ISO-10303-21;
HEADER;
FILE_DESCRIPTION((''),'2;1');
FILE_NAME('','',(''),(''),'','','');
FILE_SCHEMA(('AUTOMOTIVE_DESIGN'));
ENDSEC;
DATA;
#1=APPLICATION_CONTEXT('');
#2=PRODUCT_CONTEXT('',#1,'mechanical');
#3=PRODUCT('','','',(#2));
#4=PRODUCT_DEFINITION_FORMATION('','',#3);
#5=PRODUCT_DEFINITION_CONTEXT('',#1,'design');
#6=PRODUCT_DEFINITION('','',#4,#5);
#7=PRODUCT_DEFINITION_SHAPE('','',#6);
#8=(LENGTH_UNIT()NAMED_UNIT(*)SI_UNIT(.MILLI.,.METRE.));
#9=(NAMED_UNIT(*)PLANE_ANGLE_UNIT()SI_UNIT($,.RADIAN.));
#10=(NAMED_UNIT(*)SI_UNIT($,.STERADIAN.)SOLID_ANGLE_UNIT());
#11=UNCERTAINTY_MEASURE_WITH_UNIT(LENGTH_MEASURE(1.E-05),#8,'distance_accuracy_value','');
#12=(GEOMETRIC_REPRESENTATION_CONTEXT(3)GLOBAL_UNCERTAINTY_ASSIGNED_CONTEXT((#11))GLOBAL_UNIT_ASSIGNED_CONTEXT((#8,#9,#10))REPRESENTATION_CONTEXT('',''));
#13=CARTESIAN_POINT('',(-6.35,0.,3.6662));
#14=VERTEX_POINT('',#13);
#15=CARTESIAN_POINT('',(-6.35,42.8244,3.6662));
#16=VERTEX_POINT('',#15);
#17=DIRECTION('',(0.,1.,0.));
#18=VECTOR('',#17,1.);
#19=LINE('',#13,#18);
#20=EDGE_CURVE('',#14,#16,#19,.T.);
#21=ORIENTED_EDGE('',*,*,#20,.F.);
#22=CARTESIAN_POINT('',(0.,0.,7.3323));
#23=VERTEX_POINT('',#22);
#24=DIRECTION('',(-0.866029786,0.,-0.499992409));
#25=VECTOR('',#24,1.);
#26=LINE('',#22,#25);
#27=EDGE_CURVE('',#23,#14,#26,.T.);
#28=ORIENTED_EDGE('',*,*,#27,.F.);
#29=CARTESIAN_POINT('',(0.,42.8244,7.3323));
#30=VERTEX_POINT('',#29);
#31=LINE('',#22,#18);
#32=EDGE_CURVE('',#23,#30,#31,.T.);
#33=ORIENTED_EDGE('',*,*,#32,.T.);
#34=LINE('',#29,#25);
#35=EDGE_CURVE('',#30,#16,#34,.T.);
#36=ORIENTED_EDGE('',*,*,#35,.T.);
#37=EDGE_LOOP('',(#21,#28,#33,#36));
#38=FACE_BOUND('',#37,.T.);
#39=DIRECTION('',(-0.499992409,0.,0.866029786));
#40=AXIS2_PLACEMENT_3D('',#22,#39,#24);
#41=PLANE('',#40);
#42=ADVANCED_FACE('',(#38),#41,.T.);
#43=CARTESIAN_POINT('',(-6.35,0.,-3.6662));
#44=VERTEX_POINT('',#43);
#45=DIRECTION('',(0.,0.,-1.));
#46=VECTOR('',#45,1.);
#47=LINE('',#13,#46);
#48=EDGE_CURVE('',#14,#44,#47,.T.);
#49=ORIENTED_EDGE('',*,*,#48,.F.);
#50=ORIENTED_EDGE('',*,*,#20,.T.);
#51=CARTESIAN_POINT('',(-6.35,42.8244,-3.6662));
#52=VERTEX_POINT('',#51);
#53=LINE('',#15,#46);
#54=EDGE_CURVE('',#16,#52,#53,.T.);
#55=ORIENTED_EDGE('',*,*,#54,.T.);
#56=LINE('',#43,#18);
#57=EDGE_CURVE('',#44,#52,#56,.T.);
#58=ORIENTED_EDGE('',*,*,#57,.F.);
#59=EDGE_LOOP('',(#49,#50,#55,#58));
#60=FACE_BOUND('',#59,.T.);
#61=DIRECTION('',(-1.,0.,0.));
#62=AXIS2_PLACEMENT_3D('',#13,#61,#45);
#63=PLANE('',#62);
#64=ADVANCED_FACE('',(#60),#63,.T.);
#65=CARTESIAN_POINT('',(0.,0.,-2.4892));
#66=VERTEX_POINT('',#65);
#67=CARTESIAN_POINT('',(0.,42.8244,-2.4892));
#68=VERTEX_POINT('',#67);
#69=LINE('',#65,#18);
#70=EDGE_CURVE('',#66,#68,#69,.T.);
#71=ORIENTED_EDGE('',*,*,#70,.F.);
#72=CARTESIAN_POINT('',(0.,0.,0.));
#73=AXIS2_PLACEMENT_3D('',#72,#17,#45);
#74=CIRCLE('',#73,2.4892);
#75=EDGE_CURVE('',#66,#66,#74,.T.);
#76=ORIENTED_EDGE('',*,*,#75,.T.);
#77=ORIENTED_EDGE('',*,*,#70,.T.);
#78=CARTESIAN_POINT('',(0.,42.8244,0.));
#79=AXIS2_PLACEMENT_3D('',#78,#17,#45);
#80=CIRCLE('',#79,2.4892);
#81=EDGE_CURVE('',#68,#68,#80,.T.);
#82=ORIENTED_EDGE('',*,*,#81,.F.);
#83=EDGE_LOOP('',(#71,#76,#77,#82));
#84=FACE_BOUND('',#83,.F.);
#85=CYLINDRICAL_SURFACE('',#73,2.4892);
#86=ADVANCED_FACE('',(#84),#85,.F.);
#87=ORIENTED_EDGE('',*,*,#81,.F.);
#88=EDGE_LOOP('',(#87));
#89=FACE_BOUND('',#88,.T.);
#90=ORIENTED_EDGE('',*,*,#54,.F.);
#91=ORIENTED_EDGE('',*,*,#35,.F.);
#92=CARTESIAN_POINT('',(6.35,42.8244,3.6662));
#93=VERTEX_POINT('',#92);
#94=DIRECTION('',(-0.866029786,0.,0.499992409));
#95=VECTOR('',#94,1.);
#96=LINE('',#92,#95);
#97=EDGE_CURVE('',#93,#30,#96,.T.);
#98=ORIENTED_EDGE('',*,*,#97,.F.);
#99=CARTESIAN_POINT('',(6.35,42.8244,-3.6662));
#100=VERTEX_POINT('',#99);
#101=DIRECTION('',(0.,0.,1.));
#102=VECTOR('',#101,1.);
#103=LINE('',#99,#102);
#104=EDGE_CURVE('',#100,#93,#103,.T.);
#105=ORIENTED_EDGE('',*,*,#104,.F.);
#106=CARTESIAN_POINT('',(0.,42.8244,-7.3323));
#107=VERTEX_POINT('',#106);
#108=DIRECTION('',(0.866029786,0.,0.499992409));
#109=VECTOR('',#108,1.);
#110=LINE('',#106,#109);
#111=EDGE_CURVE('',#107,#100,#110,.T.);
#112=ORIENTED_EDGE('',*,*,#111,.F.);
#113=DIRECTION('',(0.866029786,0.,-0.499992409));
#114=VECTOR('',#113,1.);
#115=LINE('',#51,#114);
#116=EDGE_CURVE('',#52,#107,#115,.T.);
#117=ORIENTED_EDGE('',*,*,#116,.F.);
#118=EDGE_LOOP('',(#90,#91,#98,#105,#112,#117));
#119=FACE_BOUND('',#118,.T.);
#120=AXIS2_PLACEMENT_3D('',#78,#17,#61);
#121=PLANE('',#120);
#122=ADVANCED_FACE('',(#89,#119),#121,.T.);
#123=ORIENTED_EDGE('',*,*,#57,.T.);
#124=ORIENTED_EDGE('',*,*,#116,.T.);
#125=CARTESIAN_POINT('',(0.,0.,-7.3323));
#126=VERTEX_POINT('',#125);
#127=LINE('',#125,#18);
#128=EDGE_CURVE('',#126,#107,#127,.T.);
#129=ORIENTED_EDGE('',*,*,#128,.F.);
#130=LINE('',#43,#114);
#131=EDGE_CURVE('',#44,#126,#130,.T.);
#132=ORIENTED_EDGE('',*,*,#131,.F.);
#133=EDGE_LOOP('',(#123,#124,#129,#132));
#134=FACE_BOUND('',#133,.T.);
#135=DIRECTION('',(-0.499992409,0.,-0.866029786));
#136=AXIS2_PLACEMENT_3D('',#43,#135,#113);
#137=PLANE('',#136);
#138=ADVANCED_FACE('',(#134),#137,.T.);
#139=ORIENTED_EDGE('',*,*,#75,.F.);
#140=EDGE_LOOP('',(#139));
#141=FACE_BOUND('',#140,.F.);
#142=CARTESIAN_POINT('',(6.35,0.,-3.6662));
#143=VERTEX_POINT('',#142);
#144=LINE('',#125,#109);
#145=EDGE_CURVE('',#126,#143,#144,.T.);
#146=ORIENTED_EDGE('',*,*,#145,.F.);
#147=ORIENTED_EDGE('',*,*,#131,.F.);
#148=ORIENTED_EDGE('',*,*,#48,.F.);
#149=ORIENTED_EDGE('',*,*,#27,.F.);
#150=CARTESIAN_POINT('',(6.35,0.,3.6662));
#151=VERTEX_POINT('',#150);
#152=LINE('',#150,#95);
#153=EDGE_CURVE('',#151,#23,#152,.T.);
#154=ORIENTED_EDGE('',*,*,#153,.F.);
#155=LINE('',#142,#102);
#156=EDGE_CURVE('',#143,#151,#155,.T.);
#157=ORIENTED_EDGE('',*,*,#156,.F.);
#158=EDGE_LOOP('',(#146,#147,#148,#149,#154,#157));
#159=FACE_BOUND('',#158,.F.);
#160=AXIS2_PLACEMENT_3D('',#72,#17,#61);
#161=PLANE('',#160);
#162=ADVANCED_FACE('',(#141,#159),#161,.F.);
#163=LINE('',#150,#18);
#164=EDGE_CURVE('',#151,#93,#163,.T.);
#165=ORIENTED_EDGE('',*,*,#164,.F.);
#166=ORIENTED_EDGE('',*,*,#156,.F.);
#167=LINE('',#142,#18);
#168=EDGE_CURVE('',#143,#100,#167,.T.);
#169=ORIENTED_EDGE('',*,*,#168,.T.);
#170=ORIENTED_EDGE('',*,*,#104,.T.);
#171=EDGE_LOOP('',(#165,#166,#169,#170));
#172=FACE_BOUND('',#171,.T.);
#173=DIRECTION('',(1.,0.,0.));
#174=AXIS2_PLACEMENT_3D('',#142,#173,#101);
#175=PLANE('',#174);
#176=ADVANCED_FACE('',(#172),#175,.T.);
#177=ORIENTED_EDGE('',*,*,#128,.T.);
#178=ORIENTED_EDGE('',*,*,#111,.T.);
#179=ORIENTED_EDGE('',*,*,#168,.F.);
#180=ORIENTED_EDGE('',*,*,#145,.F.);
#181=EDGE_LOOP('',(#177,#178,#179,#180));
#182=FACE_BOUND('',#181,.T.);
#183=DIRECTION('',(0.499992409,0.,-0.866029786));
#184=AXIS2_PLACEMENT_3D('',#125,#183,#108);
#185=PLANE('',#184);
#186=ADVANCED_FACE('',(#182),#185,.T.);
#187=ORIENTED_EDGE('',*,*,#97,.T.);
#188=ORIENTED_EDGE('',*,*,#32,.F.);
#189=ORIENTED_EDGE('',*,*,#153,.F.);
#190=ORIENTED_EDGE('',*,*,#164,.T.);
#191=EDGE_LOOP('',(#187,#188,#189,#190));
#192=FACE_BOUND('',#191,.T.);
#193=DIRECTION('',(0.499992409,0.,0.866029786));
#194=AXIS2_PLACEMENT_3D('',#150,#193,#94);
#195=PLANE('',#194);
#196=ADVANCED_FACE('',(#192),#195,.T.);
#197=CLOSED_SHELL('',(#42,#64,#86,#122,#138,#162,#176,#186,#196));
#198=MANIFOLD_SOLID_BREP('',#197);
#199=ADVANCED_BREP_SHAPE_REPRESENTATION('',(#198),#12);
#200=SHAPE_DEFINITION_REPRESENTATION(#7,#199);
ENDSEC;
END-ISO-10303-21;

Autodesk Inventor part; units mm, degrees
ref_plane "YZ Plane" through (0, 0, 0) normal (1, 0, 0) x (0, 1, 0)
ref_plane "XZ Plane" through (0, 0, 0) normal (0, 1, 0) x (-1, 0, 0)
ref_plane "XY Plane" through (0, 0, 0) normal (0, 0, 1) x (1, 0, 0)
sketch "Sketch1" plane through (0, 0, 0) normal (0, 1, 0) x (-1, 0, 0)
  line L0 (6.35, -3.6662) -> (0, -7.3323)
  line L1 (0, -7.3323) -> (-6.35, -3.6662)
  line L2 (-6.35, -3.6662) -> (-6.35, 3.6662)
  line L3 (-6.35, 3.6662) -> (0, 7.3323)
  line L4 (0, 7.3323) -> (6.35, 3.6662)
  line L5 (6.35, 3.6662) -> (6.35, -3.6662)
  point P0 (0, 0)
  point P1 (0, 0)
  point P2 (0, 0)
  dimension "d0" = 12.7
extrude "Extrusion1" add sketch "Sketch1" along normal blind 42.8244
sketch "Sketch2" plane through (0, 0, 0) normal (0, -1, 0) x (1, 0, 0)
  point P0 (0, 0)
  point P1 (0, 0)
hole "Hole1" at (0, 0, 0) direction (0, 1, 0) diameter 4.9784 end through all thread size "1/4-20 UNC" class "2B" standard "ANSI Unified Screw Threads"
properties part number "INTK_002_HexShaft4" material "Aluminum 7075"
